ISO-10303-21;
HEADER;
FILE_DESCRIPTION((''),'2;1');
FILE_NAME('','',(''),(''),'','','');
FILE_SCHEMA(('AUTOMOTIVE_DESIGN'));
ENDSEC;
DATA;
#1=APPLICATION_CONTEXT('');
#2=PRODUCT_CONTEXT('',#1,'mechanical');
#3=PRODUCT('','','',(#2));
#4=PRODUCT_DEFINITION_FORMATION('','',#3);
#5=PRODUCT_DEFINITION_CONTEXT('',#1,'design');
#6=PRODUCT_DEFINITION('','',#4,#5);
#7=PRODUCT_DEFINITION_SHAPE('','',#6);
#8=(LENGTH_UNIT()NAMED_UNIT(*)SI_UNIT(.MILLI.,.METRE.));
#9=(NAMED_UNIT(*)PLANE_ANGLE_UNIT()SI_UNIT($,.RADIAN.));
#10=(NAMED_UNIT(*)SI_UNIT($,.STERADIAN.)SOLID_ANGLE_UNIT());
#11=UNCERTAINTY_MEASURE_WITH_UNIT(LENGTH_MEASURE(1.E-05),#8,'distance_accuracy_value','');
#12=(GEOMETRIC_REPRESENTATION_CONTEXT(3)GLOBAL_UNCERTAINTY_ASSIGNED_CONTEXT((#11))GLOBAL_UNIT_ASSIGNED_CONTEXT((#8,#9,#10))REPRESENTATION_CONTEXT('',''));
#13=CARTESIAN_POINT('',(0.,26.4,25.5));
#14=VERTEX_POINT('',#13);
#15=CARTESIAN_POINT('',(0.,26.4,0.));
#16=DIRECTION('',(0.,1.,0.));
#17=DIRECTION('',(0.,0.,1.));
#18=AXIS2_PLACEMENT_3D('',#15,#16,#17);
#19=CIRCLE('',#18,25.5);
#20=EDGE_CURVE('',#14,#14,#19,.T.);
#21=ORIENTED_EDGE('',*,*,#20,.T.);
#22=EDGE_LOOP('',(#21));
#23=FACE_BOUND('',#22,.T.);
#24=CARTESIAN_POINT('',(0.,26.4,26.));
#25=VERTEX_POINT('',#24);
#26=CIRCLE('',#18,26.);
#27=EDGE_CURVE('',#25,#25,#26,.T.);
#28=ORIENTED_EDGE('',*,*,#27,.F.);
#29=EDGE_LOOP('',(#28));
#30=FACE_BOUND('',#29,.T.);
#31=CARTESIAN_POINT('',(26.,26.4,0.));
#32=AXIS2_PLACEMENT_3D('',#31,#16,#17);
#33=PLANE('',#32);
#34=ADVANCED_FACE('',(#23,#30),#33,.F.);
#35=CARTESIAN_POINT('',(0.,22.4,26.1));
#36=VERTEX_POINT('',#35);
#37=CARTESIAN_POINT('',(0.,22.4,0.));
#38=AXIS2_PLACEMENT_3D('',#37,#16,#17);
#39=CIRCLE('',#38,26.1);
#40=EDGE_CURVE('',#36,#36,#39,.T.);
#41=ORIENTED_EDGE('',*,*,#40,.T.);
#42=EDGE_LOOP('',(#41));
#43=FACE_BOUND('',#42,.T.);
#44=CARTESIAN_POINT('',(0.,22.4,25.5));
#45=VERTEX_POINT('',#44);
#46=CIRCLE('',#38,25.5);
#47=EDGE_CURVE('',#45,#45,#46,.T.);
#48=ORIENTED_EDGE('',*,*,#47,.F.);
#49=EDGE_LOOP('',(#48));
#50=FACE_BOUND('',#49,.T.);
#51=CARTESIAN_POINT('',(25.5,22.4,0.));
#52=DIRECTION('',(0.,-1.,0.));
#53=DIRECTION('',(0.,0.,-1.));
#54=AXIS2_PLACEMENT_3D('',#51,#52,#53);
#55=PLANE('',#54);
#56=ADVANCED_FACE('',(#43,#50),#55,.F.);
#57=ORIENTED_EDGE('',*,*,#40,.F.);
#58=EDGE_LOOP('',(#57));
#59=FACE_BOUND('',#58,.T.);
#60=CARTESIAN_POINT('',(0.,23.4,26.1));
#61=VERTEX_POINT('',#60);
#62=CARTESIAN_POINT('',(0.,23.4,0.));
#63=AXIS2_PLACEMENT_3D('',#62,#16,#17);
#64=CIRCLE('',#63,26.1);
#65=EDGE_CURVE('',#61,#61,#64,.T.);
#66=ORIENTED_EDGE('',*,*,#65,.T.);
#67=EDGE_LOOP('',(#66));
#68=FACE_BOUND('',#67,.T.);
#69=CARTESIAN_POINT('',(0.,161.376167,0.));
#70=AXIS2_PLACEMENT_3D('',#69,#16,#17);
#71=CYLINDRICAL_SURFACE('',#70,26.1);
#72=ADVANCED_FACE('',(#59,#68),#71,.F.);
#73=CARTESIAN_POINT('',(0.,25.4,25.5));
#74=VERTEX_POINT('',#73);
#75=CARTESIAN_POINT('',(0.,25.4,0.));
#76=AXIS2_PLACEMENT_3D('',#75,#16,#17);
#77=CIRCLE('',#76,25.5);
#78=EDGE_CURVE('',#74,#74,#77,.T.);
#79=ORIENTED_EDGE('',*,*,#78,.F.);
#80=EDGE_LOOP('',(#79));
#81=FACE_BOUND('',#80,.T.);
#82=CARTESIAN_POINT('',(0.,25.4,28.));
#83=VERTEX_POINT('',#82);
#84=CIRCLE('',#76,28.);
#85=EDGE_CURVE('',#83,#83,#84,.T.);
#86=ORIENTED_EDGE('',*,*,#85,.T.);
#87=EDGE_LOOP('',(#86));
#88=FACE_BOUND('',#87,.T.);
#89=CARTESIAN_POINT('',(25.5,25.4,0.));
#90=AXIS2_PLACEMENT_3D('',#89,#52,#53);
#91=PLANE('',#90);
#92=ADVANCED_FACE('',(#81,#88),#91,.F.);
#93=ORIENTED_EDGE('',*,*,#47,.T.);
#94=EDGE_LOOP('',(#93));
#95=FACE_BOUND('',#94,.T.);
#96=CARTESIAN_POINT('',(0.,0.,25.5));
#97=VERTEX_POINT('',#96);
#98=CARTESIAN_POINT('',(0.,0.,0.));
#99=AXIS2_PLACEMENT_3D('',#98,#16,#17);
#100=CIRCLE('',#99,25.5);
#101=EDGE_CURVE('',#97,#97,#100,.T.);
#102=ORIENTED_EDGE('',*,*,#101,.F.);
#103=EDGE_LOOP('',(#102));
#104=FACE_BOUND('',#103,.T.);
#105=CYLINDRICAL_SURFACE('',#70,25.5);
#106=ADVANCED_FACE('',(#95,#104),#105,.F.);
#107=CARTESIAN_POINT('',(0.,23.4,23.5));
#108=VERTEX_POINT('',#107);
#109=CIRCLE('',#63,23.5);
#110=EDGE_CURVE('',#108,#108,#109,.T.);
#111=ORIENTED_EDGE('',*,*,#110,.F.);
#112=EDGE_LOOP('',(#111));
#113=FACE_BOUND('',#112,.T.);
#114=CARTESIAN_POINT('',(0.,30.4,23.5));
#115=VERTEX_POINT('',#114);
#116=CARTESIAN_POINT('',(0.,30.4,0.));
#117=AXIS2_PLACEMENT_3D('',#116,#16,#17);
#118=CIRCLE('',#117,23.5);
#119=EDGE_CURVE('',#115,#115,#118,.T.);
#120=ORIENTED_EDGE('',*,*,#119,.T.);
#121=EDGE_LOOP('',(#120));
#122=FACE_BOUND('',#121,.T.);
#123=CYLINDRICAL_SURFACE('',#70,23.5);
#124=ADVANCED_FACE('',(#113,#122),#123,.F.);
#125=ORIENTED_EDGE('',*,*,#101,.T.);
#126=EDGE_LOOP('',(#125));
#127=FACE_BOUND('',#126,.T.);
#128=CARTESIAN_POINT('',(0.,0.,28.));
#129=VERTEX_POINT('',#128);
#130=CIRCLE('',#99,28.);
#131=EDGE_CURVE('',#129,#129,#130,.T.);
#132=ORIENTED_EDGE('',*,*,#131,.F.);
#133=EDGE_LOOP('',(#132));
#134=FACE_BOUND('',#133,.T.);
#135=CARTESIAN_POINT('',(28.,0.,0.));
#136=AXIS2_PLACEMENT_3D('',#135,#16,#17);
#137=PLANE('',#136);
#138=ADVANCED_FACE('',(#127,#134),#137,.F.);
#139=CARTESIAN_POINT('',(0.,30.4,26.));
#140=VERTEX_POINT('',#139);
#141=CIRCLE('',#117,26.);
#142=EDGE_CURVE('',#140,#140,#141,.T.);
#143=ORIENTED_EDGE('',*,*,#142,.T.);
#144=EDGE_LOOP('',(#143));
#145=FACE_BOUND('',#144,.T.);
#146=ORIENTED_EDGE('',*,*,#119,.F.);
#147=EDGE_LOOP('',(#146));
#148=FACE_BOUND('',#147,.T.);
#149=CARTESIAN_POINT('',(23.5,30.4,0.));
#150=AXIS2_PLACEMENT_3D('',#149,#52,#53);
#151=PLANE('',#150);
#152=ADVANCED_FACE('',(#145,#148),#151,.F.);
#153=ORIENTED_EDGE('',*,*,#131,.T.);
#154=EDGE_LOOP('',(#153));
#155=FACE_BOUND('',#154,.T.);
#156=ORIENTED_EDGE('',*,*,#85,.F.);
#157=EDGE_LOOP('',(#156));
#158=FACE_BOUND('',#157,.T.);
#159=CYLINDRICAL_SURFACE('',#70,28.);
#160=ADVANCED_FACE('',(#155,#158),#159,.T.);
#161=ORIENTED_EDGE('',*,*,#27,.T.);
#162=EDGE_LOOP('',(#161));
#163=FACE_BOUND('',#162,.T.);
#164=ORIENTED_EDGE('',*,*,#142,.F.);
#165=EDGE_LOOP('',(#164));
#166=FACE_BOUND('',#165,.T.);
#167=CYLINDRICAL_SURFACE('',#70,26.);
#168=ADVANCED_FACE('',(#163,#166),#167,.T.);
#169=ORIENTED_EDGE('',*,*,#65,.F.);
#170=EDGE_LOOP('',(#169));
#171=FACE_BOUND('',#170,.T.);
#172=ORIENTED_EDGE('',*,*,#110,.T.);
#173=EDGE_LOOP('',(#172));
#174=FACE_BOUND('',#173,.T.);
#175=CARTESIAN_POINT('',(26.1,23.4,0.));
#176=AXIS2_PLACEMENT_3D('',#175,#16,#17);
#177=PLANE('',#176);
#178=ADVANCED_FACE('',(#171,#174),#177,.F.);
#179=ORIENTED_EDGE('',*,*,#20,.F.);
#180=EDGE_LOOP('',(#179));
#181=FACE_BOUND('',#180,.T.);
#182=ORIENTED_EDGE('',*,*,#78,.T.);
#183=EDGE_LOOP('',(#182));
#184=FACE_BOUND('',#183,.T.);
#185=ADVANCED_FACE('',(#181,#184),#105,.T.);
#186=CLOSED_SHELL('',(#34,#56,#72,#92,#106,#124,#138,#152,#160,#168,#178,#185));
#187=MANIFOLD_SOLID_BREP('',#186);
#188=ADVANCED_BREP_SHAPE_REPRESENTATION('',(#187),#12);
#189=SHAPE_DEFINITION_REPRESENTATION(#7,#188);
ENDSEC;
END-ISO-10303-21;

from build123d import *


with BuildPart() as part:
    # 草图1 → 旋转1 (revolve)
    with BuildSketch(Plane.XY, mode=Mode.PRIVATE) as revolve_1_sk:
        Polygon((23.5, 30.4), (26, 30.4), (26, 26.4), (25.5, 26.4), (25.5, 25.4), (28, 25.4), (28, 0), (25.5, 0), (25.5, 22.4), (26.1, 22.4), (26.1, 23.4), (23.5, 23.4), align=None)
    revolve(revolve_1_sk.sketch.rotate(Axis((0, 161.376166943, 0), (0, -1, 0)), 90), axis=Axis((0, 161.376166943, 0), (0, -1, 0)))  # turned: the seam where the file's is


solid = part.part
